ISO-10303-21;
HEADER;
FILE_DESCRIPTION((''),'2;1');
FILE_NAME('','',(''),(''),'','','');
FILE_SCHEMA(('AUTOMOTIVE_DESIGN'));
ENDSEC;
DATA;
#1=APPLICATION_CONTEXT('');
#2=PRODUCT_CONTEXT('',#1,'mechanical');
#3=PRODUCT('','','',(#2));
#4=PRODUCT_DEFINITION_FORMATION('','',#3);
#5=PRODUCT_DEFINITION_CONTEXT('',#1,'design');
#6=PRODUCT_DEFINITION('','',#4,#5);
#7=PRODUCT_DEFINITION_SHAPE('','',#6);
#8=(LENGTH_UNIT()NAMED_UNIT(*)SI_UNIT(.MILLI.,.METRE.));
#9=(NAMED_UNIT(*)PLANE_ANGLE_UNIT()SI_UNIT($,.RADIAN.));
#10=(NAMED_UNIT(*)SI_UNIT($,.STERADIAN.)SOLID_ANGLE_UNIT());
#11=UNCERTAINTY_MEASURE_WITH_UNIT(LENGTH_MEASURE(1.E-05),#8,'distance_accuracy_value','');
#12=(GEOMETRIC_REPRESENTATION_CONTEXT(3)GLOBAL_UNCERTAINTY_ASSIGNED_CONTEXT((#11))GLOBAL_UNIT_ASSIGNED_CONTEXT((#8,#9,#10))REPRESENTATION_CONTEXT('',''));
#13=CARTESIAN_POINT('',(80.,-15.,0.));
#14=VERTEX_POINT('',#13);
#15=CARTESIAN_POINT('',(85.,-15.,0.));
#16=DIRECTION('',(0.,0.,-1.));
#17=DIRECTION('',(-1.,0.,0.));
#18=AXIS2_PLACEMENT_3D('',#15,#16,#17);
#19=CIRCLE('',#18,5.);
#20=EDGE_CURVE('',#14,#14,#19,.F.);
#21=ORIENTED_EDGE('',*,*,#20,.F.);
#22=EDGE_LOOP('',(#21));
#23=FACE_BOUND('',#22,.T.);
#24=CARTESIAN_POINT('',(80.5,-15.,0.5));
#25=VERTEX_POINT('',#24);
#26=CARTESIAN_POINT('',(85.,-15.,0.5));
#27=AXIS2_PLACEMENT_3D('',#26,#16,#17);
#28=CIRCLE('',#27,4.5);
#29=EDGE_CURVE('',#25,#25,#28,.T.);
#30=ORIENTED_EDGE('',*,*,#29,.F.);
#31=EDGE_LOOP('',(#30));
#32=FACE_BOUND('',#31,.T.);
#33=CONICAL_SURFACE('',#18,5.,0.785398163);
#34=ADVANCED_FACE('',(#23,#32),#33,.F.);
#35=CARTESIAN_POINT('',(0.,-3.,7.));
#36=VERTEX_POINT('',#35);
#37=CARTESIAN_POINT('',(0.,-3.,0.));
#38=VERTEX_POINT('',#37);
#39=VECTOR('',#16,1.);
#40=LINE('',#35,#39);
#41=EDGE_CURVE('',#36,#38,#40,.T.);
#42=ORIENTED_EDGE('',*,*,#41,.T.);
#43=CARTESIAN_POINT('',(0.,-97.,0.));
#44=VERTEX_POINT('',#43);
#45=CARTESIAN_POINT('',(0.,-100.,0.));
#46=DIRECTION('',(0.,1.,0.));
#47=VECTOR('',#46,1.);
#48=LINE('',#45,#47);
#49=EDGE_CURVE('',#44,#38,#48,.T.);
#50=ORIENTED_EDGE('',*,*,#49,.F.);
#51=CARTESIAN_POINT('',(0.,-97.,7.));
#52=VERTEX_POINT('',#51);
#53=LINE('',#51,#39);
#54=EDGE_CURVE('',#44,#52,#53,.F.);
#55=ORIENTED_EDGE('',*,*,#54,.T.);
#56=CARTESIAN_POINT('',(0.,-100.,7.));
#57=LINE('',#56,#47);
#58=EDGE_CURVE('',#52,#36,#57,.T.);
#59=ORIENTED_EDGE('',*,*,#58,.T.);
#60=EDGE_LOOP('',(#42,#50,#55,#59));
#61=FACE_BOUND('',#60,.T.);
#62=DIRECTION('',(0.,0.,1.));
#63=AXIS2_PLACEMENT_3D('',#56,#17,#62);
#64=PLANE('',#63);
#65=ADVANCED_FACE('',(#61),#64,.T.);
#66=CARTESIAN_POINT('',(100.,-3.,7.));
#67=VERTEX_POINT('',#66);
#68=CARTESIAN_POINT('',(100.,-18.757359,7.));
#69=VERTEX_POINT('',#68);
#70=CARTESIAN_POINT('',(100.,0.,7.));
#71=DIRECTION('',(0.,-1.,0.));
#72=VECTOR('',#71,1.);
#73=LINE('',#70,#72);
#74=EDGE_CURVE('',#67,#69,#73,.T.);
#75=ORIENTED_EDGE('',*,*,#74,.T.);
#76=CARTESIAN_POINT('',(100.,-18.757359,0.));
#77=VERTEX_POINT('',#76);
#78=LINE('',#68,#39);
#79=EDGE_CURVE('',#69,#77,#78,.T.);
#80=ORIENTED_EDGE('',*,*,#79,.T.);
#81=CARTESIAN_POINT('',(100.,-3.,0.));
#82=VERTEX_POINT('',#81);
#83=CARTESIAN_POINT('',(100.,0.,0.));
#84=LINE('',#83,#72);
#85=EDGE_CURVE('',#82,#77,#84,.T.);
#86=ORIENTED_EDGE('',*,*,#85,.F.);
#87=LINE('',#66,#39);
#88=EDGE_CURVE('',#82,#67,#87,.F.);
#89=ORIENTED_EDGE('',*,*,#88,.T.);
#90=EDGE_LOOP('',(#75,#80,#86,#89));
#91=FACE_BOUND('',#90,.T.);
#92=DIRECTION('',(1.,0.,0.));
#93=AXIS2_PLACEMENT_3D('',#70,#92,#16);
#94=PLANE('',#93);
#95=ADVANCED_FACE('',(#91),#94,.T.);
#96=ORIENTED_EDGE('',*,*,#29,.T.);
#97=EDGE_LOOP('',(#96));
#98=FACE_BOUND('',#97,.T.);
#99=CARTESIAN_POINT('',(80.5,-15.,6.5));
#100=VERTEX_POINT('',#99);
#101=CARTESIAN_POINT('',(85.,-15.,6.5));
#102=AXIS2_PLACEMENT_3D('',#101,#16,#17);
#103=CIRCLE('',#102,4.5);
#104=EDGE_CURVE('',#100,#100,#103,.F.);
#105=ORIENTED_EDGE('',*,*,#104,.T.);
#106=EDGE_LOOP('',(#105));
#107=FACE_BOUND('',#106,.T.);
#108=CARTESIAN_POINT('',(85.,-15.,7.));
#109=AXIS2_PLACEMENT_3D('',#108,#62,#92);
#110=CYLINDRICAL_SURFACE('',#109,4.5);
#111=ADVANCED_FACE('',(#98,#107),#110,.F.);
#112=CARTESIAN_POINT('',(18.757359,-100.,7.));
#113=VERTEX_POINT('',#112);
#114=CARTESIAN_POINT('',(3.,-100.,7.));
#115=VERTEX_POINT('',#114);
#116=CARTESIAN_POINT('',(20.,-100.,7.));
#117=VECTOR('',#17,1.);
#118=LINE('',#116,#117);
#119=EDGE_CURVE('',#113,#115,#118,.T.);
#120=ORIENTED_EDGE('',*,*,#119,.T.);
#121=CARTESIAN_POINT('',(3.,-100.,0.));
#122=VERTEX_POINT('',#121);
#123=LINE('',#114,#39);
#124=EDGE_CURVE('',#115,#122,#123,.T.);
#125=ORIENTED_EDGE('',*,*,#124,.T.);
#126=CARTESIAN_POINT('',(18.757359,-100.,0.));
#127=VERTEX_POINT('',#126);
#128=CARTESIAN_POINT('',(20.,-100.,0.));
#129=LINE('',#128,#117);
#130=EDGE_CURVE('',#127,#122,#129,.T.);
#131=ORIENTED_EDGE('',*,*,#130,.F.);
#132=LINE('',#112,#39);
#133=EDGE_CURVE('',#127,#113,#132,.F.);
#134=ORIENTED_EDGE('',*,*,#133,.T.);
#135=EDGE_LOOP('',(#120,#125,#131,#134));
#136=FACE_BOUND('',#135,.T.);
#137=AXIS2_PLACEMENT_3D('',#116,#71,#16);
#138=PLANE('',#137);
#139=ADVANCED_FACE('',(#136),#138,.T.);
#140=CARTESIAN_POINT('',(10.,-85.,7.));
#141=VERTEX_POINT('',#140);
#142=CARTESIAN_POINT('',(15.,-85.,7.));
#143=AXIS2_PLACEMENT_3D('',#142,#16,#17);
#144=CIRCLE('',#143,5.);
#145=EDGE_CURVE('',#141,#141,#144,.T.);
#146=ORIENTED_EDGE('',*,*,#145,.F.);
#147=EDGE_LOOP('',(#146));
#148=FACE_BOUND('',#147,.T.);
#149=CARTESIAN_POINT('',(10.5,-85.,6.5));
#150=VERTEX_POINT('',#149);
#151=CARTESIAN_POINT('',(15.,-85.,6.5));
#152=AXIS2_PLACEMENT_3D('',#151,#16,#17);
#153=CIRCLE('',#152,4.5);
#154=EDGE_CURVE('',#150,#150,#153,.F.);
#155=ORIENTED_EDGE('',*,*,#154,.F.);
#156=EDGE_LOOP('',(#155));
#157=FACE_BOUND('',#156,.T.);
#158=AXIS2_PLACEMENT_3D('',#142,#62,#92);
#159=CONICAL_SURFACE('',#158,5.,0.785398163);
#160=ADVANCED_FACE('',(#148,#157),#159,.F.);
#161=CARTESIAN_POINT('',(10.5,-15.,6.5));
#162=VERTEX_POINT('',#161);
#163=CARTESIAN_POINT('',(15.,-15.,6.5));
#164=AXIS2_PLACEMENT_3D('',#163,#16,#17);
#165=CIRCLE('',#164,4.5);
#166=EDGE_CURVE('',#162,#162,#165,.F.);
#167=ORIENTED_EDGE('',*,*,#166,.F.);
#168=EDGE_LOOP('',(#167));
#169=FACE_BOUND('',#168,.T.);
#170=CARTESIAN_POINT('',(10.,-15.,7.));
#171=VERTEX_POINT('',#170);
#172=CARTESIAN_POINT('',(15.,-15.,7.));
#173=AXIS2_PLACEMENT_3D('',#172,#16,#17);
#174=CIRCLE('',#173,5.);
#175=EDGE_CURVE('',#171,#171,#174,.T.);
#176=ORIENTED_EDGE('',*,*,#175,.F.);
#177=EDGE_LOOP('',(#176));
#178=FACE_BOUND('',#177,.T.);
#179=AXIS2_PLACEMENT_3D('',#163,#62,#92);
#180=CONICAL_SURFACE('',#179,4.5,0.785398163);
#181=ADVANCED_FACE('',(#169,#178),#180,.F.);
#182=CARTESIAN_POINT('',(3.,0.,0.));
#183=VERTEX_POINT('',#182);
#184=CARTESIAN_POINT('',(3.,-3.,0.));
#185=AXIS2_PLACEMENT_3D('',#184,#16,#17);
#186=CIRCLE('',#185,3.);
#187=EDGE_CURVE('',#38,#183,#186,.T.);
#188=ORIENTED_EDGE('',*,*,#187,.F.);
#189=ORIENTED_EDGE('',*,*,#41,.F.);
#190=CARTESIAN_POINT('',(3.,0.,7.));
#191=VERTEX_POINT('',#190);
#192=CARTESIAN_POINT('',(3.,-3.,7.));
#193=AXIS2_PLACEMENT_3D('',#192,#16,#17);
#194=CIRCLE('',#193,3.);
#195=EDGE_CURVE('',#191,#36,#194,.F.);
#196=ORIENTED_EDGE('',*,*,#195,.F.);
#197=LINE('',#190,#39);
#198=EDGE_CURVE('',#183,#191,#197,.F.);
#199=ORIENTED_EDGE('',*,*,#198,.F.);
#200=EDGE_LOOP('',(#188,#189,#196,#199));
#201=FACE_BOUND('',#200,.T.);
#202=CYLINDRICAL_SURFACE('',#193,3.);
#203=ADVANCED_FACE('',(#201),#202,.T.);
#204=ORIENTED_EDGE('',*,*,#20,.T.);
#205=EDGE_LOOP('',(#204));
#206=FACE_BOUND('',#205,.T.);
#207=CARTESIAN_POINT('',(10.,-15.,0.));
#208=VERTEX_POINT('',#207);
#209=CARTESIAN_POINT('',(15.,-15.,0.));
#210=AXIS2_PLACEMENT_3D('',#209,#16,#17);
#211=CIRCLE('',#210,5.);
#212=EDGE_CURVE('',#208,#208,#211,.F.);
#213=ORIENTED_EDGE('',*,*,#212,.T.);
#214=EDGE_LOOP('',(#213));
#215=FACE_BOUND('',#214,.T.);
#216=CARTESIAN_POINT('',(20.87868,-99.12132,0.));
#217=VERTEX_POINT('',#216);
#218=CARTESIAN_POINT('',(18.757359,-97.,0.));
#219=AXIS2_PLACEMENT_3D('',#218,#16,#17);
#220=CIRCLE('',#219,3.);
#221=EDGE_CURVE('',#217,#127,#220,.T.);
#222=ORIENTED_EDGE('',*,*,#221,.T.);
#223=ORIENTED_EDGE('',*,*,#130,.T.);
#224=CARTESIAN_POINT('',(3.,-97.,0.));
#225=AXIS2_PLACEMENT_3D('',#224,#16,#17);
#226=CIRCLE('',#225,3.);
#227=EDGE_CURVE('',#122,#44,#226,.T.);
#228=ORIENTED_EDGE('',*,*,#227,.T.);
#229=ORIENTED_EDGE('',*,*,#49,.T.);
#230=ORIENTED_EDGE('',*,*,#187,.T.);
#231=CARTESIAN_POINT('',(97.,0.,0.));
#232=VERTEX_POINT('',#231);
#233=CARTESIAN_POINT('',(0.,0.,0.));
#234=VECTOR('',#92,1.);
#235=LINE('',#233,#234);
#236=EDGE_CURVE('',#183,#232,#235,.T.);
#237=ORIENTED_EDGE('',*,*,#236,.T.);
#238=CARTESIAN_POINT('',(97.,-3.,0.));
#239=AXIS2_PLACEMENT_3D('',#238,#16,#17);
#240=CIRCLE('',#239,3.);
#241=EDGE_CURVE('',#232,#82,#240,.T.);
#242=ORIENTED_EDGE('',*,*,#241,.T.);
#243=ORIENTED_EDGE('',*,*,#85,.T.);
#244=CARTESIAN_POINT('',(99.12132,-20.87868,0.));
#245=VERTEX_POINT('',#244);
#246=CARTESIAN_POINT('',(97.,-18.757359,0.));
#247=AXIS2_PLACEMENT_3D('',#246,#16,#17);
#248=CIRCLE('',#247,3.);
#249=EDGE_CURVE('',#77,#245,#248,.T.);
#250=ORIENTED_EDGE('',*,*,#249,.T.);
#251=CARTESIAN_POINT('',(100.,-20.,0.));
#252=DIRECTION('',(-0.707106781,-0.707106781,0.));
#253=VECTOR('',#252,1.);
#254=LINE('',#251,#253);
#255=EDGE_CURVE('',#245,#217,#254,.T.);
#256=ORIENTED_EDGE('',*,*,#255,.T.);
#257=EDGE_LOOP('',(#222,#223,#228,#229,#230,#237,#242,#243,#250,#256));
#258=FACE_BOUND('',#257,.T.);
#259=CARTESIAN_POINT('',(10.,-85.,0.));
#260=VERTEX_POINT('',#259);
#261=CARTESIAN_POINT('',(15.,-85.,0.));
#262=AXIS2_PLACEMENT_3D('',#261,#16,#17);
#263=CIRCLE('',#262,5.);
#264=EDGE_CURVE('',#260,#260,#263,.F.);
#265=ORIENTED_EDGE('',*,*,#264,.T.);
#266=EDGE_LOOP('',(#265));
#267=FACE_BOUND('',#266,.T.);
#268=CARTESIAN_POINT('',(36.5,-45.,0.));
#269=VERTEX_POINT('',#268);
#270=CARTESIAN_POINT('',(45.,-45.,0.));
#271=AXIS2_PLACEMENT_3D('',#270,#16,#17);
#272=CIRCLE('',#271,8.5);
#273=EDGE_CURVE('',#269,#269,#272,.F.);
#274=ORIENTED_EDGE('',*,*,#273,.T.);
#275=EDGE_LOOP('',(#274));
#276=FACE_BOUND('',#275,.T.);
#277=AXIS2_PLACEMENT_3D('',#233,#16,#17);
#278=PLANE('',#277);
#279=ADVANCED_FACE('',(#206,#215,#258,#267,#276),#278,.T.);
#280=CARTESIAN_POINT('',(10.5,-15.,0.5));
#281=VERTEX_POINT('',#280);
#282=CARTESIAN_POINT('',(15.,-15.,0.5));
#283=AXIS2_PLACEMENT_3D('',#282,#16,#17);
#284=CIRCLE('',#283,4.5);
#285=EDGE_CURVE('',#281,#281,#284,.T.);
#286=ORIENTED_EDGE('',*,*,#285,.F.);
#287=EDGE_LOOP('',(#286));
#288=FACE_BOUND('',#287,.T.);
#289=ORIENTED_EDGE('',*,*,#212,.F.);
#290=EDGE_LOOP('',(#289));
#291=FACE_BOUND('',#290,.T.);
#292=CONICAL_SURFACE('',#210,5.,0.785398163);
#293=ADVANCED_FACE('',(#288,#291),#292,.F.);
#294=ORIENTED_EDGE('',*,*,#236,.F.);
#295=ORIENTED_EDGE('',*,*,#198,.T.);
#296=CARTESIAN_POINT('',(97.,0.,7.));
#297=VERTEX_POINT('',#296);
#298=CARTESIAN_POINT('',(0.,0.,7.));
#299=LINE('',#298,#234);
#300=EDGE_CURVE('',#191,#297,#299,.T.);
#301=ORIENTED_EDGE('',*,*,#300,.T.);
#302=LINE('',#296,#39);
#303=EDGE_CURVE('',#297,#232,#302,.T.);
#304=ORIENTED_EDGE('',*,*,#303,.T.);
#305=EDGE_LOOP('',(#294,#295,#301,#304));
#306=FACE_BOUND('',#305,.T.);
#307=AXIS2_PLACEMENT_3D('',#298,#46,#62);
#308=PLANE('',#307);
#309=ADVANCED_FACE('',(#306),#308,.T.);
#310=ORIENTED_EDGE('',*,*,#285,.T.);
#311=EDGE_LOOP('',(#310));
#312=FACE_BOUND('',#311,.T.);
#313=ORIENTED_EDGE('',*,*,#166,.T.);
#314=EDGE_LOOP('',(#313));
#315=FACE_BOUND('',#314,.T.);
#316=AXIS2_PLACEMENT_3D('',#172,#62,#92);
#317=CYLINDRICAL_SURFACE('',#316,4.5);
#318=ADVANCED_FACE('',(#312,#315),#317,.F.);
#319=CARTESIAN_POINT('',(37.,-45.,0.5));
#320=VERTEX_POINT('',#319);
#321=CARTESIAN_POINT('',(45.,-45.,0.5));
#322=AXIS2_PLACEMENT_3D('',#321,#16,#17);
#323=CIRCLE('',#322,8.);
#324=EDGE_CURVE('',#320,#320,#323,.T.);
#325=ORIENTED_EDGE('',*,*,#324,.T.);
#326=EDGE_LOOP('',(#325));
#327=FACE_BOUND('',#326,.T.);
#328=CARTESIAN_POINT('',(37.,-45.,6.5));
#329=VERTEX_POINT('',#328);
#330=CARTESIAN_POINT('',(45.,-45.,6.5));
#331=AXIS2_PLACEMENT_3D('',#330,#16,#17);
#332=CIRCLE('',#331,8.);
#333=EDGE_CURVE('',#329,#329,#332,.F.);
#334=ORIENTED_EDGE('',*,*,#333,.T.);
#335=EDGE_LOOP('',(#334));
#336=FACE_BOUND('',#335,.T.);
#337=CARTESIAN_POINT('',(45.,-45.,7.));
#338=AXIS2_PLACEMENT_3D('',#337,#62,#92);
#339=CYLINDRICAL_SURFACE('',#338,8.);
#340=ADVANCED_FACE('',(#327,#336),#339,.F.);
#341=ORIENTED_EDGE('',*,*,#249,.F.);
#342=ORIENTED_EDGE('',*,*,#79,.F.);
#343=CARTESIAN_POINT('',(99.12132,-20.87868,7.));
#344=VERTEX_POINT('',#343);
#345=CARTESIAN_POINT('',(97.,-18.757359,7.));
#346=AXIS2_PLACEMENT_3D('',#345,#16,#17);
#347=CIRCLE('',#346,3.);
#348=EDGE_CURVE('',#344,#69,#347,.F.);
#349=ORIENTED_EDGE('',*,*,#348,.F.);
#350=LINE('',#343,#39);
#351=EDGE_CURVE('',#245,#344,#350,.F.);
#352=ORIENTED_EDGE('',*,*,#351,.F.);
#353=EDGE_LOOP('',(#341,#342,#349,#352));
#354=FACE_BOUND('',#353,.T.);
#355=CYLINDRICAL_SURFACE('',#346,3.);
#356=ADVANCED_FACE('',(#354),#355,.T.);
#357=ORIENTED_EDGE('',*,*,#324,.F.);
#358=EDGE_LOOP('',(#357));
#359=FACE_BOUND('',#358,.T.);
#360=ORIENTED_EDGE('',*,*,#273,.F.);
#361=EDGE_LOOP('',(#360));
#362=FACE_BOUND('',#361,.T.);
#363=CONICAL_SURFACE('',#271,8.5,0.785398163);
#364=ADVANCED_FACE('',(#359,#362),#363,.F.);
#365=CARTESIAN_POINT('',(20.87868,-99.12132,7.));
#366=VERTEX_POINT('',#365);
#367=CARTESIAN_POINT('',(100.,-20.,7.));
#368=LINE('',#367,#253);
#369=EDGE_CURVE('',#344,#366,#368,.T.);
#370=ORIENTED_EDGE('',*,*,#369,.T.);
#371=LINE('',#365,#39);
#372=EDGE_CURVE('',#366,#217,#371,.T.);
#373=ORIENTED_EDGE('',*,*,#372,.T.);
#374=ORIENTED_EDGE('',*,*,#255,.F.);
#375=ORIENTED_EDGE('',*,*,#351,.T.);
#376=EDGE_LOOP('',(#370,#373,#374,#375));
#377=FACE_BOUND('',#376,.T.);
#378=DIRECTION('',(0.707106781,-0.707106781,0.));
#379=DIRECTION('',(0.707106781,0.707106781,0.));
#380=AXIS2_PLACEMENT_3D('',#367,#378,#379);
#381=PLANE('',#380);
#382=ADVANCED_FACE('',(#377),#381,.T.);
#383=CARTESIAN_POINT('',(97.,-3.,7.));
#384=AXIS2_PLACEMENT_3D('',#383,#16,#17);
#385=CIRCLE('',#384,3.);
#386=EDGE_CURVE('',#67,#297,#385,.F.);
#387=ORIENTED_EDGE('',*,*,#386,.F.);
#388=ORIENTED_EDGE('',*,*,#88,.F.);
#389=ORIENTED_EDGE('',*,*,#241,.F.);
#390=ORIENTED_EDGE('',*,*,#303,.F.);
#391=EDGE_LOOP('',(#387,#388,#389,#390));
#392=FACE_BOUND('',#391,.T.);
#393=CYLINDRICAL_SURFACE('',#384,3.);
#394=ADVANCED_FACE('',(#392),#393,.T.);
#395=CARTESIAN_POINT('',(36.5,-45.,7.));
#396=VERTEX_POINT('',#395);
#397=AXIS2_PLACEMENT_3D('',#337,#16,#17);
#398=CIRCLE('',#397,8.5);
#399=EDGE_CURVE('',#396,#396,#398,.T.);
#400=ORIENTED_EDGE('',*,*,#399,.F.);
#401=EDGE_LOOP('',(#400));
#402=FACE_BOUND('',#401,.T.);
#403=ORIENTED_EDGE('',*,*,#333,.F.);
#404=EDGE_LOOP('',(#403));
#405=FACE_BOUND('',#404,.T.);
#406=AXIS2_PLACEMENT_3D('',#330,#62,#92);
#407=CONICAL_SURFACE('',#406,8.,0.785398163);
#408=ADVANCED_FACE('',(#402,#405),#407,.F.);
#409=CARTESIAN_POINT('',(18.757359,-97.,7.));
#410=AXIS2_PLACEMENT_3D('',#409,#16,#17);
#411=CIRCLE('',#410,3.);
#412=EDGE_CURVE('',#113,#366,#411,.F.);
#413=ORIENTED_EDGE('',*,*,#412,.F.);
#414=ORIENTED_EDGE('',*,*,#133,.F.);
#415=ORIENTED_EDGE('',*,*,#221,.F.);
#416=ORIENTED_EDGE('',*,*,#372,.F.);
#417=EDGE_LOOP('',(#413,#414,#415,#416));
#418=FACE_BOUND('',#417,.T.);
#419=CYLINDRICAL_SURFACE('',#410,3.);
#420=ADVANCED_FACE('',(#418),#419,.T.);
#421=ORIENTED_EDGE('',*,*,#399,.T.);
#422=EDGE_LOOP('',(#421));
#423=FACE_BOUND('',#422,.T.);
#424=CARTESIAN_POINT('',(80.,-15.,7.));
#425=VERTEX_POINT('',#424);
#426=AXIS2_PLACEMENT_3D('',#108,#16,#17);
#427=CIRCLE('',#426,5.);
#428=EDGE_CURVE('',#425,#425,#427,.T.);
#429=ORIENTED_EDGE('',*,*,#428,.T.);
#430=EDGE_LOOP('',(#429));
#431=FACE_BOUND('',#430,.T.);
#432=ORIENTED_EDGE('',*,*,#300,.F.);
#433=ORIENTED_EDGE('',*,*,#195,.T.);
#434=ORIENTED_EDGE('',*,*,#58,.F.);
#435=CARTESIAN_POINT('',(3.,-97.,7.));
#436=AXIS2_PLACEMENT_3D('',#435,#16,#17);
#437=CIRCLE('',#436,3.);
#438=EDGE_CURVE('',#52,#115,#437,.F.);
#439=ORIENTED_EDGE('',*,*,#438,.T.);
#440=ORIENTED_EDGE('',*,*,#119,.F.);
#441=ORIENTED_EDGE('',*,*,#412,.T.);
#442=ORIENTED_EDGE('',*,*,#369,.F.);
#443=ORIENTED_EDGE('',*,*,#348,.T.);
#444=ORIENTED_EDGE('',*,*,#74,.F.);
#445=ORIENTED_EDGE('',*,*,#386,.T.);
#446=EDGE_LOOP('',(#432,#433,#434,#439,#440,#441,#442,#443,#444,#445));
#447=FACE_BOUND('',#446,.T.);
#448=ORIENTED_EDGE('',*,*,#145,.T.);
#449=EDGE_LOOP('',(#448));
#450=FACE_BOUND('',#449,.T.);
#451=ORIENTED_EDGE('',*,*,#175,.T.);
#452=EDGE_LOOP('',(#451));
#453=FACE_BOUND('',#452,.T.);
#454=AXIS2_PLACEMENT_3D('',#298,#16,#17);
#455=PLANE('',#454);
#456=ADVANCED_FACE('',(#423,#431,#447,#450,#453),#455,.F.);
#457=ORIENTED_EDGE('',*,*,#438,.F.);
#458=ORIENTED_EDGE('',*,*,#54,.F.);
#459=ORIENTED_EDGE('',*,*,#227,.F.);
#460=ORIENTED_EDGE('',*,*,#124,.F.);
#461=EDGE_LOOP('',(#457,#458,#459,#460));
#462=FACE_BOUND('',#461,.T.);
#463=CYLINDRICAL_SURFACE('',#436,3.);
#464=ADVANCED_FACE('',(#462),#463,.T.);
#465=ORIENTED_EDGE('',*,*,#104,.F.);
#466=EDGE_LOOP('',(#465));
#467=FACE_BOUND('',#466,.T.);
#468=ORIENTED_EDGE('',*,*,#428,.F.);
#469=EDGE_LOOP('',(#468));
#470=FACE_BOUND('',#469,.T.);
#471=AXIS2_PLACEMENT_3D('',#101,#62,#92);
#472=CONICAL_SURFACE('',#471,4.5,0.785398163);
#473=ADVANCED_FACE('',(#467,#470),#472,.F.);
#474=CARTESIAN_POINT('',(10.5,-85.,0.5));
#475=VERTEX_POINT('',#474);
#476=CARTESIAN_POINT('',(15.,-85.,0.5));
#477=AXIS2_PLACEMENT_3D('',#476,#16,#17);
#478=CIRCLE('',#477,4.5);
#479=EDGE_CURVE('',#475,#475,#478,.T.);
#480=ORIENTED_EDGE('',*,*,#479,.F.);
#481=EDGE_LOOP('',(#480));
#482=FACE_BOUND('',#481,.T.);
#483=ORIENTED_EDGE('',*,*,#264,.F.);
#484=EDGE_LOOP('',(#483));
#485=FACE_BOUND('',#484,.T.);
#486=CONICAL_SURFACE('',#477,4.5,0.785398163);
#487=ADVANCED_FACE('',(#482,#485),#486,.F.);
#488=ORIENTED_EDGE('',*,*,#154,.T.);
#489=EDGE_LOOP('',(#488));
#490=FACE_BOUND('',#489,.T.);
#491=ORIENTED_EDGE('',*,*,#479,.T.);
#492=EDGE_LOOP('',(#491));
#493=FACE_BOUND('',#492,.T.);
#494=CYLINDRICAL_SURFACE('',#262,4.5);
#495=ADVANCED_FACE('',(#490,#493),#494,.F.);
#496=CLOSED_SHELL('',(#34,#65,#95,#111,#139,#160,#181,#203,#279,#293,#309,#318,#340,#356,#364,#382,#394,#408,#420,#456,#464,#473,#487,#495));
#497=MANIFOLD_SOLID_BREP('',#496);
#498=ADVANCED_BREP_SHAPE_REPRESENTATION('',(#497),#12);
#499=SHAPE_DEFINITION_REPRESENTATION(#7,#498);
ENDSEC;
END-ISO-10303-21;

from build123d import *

# Parameters (mm, degrees)
BOSS_EXTRUDE1_DEPTH        = 7
F_9_0_9_DIAMETER_HOLE1_D   = 9
F_16_0_16_DIAMETER_HOLE1_D = 16
F_9_0_9_DIAMETER_HOLE2_D   = 9
CHAMFER1_SIZE              = 0.5
FILLET1_R                  = 3


with BuildPart() as part:
    # Sketch1 → Boss-Extrude1 (new body)
    with BuildSketch(Plane(origin=(0, 0, 0), x_dir=(-1, 0, 0), z_dir=(0, 0, -1))):
        Polygon((0, 0), (-100, 0), (-100, -20), (-20, -100), (0, -100), align=None)
    extrude(amount=-BOSS_EXTRUDE1_DEPTH)

    # Ø9.0 (9) Diameter Hole1 (through all)
    with Locations(Plane.XY.offset(7)):
        with Locations((85, -15), (15, -15)):
            Hole(F_9_0_9_DIAMETER_HOLE1_D / 2)

    # Ø16.0 (16) Diameter Hole1 (through all)
    with Locations(Plane.XY.offset(7)):
        with Locations((45, -45)):
            Hole(F_16_0_16_DIAMETER_HOLE1_D / 2)

    # Ø9.0 (9) Diameter Hole2 (through all)
    with Locations(Plane(origin=(0, 0, 0), x_dir=(-1, 0, 0), z_dir=(0, 0, -1))):
        with Locations((-15, -85)):
            Hole(F_9_0_9_DIAMETER_HOLE2_D / 2)

    # Chamfer1
    chamfer1_edges = [part.edges().sort_by_distance(p)[0] for p in [
        (19.5, -15, 7),
        (19.5, -15, 0),
        (89.5, -15, 7),
        (89.5, -15, 0),
        (53, -45, 7),
        (53, -45, 0),
        (10.5, -85, 0),
        (10.5, -85, 7),
    ]]
    chamfer(chamfer1_edges, length=CHAMFER1_SIZE)

    # Fillet1
    fillet1_edges = [part.edges().sort_by_distance(p)[0] for p in [
        (0, -100, 3.5),
        (20, -100, 3.5),
        (100, -20, 3.5),
        (100, 0, 3.5),
        (0, 0, 3.5),
    ]]
    fillet(fillet1_edges, radius=FILLET1_R)


solid = part.part
